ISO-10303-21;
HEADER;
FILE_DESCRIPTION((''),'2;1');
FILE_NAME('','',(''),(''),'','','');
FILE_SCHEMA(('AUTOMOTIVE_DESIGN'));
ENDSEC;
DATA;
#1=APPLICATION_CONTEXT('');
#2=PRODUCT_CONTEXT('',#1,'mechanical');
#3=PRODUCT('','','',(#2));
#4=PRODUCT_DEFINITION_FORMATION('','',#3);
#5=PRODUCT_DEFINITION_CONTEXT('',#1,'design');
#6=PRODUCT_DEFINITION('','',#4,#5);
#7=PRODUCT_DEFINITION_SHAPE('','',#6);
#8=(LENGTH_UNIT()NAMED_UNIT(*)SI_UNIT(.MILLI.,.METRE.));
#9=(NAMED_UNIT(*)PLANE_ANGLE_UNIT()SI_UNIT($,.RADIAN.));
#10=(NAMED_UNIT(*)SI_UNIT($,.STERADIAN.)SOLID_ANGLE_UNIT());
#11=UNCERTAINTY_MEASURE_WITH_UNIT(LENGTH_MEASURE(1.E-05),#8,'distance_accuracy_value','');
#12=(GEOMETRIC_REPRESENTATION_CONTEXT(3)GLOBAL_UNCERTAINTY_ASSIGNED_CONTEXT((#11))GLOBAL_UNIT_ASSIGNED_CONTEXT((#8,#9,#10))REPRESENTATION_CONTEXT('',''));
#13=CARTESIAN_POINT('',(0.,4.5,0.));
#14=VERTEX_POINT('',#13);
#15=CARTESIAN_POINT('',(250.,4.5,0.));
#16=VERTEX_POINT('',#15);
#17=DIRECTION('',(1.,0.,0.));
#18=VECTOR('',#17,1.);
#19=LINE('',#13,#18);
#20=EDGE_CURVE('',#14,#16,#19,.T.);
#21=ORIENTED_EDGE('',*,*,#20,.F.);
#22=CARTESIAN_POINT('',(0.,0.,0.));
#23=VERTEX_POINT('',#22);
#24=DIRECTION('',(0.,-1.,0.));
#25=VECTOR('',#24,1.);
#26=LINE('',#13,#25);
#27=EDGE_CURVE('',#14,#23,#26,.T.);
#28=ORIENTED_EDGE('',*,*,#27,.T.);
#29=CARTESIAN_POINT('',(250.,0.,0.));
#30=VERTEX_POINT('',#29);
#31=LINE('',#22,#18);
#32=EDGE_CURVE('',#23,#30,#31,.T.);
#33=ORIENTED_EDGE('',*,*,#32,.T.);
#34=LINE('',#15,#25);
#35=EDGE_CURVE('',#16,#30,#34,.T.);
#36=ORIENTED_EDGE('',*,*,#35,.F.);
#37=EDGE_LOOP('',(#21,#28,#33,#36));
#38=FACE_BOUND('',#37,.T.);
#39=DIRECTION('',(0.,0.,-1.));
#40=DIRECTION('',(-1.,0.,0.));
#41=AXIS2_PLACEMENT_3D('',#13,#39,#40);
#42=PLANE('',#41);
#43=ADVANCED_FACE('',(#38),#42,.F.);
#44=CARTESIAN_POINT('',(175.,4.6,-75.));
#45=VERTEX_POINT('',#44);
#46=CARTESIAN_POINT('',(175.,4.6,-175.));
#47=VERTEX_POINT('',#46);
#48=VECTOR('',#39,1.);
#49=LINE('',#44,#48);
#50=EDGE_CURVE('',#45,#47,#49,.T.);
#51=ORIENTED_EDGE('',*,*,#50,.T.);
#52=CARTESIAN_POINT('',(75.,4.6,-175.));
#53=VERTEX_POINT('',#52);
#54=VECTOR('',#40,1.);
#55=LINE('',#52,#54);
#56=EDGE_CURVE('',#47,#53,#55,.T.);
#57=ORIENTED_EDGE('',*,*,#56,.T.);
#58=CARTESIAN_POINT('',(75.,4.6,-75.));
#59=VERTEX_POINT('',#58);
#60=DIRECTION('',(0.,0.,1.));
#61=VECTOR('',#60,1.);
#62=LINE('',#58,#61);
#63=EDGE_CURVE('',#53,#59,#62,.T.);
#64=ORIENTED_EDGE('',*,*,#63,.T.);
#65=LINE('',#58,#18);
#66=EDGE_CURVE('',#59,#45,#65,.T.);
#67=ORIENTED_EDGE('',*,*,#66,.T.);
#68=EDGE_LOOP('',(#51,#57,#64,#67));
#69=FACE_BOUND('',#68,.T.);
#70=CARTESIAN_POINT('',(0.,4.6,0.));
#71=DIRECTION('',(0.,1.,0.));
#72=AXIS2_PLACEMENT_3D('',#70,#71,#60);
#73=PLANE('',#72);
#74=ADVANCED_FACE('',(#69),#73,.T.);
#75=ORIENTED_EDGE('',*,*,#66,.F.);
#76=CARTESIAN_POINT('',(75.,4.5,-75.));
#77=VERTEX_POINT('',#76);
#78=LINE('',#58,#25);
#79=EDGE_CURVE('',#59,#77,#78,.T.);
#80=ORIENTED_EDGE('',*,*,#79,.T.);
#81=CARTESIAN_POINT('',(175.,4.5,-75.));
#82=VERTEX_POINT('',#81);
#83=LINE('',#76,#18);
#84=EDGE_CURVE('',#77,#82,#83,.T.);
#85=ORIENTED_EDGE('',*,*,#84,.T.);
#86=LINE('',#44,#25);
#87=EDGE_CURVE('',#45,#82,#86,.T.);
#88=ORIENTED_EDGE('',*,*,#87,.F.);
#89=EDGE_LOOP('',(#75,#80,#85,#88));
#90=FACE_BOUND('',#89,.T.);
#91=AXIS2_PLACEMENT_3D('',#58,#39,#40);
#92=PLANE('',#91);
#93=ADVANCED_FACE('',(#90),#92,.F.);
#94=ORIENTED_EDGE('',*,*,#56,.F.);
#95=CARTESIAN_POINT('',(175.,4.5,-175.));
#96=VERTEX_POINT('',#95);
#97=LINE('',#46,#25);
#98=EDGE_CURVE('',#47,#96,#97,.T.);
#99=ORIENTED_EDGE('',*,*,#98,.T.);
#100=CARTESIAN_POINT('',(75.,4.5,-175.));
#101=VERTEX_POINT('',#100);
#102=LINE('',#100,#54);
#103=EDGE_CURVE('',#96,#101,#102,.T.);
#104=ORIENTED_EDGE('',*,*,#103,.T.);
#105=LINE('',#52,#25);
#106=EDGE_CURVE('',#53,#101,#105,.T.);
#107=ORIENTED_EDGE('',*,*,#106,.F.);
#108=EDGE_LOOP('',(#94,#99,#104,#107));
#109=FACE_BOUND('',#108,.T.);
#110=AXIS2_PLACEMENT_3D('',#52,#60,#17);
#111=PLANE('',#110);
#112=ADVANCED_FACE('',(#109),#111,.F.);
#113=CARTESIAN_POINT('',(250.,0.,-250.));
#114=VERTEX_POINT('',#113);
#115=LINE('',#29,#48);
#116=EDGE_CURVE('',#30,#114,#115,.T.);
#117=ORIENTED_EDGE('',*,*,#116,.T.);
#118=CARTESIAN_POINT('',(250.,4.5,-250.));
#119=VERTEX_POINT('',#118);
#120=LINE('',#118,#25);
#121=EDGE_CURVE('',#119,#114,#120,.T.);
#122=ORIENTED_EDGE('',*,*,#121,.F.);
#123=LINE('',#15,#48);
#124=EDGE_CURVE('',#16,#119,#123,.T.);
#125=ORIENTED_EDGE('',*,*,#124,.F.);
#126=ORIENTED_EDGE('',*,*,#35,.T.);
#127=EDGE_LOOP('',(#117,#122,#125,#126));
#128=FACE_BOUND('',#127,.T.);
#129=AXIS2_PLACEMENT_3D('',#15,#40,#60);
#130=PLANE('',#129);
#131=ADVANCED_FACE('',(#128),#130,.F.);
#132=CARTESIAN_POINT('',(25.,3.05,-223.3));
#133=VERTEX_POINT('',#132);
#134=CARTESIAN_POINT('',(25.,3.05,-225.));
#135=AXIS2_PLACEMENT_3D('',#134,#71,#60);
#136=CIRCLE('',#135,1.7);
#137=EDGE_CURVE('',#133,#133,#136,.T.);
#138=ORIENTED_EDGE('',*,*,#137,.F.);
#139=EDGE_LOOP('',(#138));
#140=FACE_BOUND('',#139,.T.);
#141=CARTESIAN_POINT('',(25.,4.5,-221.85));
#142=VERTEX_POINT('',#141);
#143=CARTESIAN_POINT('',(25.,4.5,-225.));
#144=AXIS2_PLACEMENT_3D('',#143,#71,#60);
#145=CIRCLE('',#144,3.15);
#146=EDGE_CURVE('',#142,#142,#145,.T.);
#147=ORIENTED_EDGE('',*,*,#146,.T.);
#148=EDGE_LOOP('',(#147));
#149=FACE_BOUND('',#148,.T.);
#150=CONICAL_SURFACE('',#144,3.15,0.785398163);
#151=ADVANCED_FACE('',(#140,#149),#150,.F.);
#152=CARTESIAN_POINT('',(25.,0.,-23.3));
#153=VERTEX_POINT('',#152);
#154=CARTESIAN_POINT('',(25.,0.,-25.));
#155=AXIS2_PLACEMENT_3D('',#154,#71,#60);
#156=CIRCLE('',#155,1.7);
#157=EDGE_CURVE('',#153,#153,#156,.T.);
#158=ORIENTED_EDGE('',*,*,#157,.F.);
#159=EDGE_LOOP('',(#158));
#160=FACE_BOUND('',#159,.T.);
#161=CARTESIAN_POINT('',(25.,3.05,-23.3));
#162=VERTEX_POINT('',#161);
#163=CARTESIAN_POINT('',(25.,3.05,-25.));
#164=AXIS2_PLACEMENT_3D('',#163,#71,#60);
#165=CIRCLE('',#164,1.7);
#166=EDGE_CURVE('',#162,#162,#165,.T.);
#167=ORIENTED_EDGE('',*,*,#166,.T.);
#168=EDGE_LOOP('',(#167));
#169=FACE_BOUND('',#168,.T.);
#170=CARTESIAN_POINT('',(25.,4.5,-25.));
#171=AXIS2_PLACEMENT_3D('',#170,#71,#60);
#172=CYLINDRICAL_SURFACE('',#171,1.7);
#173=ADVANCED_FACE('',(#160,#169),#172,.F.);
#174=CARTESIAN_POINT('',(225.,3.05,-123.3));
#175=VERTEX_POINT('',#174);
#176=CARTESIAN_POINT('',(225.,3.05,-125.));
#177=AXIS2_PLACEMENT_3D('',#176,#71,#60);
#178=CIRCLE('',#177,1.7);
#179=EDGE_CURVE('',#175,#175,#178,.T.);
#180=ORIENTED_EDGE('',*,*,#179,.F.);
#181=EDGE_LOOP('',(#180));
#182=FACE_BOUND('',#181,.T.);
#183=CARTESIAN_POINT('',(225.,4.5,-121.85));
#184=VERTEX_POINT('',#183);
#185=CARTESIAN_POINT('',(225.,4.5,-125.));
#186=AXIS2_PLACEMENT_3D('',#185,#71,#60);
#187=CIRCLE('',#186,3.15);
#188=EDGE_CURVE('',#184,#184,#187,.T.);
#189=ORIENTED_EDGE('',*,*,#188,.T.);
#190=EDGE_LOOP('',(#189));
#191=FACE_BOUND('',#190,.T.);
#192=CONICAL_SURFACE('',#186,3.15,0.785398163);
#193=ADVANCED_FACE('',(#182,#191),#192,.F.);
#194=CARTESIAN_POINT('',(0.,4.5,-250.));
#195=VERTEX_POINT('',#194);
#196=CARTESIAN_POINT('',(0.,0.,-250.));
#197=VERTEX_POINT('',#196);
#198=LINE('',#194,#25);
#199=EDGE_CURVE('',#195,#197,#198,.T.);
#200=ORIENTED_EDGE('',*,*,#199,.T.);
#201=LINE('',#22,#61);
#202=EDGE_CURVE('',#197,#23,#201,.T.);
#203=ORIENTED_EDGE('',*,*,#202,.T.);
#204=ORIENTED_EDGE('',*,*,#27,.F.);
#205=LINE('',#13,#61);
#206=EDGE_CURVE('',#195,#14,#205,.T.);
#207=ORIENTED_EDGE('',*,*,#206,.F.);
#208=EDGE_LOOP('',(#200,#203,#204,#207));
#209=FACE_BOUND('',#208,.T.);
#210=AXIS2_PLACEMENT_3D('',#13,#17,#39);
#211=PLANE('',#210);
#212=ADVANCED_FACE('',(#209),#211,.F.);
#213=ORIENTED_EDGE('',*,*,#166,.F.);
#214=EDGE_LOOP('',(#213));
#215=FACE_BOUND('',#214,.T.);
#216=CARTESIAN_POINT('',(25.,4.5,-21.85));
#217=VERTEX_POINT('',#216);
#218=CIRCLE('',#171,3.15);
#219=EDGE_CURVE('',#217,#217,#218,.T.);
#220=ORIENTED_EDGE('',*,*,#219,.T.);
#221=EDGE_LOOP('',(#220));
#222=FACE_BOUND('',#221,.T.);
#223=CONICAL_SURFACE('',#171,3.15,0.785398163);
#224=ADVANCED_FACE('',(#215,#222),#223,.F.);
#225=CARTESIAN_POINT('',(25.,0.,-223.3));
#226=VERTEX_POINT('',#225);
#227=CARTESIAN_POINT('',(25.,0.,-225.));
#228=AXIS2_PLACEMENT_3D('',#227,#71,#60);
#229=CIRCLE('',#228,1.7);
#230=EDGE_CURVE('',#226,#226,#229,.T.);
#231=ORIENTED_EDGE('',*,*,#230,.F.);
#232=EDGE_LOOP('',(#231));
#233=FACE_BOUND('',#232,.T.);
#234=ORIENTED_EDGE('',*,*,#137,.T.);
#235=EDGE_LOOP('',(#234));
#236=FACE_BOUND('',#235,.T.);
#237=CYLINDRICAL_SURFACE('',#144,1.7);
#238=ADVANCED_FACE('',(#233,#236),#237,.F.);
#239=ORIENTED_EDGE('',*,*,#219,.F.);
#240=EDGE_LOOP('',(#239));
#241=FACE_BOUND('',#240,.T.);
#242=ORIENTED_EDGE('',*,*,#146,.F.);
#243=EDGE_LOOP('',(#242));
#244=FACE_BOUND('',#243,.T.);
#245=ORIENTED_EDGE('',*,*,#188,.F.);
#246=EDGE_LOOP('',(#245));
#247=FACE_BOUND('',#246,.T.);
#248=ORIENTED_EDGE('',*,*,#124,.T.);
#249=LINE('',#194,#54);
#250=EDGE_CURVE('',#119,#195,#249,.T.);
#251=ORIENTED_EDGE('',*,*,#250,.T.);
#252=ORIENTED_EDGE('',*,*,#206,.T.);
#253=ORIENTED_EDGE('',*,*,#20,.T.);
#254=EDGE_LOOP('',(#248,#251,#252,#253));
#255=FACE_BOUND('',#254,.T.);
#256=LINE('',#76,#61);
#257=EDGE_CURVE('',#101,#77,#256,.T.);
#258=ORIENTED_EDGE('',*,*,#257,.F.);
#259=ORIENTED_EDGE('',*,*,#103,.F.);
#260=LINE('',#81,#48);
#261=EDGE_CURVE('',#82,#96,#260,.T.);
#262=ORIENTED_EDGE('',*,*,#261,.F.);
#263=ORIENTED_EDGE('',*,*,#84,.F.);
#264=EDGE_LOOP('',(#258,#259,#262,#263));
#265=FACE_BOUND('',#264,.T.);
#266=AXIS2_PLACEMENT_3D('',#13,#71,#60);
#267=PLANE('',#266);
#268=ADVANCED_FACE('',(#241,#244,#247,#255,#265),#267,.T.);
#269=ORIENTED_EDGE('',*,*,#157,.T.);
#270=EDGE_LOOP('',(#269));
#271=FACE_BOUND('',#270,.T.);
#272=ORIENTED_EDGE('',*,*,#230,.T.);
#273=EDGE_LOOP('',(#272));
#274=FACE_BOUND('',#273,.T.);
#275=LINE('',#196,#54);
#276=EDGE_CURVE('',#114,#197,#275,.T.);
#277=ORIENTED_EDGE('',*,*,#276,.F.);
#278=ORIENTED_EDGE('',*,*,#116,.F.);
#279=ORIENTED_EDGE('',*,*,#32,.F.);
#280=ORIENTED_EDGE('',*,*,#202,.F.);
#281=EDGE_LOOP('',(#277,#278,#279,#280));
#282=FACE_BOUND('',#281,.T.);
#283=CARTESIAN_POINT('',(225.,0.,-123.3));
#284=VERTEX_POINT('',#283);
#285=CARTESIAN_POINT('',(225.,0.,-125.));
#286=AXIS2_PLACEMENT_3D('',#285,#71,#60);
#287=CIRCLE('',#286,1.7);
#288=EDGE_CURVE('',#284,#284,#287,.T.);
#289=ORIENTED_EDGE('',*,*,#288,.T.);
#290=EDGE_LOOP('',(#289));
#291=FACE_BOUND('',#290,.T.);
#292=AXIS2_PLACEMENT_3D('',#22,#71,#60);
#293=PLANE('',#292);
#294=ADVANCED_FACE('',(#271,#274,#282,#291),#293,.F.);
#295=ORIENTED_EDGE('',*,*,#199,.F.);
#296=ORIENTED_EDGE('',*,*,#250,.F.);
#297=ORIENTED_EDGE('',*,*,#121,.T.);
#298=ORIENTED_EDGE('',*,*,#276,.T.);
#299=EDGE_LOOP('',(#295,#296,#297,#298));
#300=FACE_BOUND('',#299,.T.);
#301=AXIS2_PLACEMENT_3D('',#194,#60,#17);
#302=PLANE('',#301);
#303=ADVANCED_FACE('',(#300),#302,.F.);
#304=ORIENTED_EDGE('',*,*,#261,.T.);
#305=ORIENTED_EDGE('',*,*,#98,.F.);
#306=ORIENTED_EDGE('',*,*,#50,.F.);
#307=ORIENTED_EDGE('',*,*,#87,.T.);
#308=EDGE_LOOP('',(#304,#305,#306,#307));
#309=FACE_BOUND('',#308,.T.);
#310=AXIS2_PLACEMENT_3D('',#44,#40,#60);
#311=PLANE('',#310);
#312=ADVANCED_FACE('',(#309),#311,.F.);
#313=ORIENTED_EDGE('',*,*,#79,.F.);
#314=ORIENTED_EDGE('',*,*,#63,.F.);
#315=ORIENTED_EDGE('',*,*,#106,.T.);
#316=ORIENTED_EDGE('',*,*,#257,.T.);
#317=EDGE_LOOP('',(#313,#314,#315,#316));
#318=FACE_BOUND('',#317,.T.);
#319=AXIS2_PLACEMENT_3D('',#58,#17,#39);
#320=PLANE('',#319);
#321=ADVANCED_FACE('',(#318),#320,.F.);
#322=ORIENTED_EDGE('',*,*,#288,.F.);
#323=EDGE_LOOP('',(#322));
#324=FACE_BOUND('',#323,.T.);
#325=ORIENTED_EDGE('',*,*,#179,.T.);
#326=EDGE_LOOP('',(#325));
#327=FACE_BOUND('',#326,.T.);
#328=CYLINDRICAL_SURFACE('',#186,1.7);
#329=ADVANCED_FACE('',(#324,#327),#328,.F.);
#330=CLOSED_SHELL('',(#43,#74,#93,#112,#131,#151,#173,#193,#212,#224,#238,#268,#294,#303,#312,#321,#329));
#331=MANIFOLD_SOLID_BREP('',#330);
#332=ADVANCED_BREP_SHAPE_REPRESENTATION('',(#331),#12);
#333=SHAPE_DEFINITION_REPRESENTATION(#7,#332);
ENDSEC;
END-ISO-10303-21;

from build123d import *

# Parameters (mm, degrees)
SKETCH1_W                                       = 250
SKETCH1_H                                       = 250
BOSS_EXTRUDE2_DEPTH                             = 4.5
CSK_FOR_M3_FLAT_HEAD_MACHINE_SCREW1_D           = 3.4
CSK_FOR_M3_FLAT_HEAD_MACHINE_SCREW1_CSINK_D     = 6.3
CSK_FOR_M3_FLAT_HEAD_MACHINE_SCREW1_CSINK_ANGLE = 90
SKETCH5_W                                       = 100
SKETCH5_H                                       = 100
BOSS_EXTRUDE3_DEPTH                             = 0.1


with BuildPart() as part:
    # Sketch1 → Boss-Extrude2 (new body)
    with BuildSketch(Plane(origin=(0, 0, 0), x_dir=(1, 0, 0), z_dir=(0, 1, 0))):
        with Locations((125, 125)):
            Rectangle(SKETCH1_W, SKETCH1_H)
    extrude(amount=BOSS_EXTRUDE2_DEPTH)

    # CSK for M3 Flat Head Machine Screw1 (through all)
    with Locations(Plane(origin=(0, 4.5, 0), x_dir=(1, 0, 0), z_dir=(0, 1, 0))):
        with Locations((25, 25), (25, 225), (225, 125)):
            CounterSinkHole(CSK_FOR_M3_FLAT_HEAD_MACHINE_SCREW1_D / 2, CSK_FOR_M3_FLAT_HEAD_MACHINE_SCREW1_CSINK_D / 2, counter_sink_angle=CSK_FOR_M3_FLAT_HEAD_MACHINE_SCREW1_CSINK_ANGLE)

    # Sketch5 → Boss-Extrude3 (add)
    with BuildSketch(Plane(origin=(0, 4.5, 0), x_dir=(1, 0, 0), z_dir=(0, 1, 0))):
        with Locations((125, 125)):
            Rectangle(SKETCH5_W, SKETCH5_H)
    extrude(amount=BOSS_EXTRUDE3_DEPTH)


solid = part.part
